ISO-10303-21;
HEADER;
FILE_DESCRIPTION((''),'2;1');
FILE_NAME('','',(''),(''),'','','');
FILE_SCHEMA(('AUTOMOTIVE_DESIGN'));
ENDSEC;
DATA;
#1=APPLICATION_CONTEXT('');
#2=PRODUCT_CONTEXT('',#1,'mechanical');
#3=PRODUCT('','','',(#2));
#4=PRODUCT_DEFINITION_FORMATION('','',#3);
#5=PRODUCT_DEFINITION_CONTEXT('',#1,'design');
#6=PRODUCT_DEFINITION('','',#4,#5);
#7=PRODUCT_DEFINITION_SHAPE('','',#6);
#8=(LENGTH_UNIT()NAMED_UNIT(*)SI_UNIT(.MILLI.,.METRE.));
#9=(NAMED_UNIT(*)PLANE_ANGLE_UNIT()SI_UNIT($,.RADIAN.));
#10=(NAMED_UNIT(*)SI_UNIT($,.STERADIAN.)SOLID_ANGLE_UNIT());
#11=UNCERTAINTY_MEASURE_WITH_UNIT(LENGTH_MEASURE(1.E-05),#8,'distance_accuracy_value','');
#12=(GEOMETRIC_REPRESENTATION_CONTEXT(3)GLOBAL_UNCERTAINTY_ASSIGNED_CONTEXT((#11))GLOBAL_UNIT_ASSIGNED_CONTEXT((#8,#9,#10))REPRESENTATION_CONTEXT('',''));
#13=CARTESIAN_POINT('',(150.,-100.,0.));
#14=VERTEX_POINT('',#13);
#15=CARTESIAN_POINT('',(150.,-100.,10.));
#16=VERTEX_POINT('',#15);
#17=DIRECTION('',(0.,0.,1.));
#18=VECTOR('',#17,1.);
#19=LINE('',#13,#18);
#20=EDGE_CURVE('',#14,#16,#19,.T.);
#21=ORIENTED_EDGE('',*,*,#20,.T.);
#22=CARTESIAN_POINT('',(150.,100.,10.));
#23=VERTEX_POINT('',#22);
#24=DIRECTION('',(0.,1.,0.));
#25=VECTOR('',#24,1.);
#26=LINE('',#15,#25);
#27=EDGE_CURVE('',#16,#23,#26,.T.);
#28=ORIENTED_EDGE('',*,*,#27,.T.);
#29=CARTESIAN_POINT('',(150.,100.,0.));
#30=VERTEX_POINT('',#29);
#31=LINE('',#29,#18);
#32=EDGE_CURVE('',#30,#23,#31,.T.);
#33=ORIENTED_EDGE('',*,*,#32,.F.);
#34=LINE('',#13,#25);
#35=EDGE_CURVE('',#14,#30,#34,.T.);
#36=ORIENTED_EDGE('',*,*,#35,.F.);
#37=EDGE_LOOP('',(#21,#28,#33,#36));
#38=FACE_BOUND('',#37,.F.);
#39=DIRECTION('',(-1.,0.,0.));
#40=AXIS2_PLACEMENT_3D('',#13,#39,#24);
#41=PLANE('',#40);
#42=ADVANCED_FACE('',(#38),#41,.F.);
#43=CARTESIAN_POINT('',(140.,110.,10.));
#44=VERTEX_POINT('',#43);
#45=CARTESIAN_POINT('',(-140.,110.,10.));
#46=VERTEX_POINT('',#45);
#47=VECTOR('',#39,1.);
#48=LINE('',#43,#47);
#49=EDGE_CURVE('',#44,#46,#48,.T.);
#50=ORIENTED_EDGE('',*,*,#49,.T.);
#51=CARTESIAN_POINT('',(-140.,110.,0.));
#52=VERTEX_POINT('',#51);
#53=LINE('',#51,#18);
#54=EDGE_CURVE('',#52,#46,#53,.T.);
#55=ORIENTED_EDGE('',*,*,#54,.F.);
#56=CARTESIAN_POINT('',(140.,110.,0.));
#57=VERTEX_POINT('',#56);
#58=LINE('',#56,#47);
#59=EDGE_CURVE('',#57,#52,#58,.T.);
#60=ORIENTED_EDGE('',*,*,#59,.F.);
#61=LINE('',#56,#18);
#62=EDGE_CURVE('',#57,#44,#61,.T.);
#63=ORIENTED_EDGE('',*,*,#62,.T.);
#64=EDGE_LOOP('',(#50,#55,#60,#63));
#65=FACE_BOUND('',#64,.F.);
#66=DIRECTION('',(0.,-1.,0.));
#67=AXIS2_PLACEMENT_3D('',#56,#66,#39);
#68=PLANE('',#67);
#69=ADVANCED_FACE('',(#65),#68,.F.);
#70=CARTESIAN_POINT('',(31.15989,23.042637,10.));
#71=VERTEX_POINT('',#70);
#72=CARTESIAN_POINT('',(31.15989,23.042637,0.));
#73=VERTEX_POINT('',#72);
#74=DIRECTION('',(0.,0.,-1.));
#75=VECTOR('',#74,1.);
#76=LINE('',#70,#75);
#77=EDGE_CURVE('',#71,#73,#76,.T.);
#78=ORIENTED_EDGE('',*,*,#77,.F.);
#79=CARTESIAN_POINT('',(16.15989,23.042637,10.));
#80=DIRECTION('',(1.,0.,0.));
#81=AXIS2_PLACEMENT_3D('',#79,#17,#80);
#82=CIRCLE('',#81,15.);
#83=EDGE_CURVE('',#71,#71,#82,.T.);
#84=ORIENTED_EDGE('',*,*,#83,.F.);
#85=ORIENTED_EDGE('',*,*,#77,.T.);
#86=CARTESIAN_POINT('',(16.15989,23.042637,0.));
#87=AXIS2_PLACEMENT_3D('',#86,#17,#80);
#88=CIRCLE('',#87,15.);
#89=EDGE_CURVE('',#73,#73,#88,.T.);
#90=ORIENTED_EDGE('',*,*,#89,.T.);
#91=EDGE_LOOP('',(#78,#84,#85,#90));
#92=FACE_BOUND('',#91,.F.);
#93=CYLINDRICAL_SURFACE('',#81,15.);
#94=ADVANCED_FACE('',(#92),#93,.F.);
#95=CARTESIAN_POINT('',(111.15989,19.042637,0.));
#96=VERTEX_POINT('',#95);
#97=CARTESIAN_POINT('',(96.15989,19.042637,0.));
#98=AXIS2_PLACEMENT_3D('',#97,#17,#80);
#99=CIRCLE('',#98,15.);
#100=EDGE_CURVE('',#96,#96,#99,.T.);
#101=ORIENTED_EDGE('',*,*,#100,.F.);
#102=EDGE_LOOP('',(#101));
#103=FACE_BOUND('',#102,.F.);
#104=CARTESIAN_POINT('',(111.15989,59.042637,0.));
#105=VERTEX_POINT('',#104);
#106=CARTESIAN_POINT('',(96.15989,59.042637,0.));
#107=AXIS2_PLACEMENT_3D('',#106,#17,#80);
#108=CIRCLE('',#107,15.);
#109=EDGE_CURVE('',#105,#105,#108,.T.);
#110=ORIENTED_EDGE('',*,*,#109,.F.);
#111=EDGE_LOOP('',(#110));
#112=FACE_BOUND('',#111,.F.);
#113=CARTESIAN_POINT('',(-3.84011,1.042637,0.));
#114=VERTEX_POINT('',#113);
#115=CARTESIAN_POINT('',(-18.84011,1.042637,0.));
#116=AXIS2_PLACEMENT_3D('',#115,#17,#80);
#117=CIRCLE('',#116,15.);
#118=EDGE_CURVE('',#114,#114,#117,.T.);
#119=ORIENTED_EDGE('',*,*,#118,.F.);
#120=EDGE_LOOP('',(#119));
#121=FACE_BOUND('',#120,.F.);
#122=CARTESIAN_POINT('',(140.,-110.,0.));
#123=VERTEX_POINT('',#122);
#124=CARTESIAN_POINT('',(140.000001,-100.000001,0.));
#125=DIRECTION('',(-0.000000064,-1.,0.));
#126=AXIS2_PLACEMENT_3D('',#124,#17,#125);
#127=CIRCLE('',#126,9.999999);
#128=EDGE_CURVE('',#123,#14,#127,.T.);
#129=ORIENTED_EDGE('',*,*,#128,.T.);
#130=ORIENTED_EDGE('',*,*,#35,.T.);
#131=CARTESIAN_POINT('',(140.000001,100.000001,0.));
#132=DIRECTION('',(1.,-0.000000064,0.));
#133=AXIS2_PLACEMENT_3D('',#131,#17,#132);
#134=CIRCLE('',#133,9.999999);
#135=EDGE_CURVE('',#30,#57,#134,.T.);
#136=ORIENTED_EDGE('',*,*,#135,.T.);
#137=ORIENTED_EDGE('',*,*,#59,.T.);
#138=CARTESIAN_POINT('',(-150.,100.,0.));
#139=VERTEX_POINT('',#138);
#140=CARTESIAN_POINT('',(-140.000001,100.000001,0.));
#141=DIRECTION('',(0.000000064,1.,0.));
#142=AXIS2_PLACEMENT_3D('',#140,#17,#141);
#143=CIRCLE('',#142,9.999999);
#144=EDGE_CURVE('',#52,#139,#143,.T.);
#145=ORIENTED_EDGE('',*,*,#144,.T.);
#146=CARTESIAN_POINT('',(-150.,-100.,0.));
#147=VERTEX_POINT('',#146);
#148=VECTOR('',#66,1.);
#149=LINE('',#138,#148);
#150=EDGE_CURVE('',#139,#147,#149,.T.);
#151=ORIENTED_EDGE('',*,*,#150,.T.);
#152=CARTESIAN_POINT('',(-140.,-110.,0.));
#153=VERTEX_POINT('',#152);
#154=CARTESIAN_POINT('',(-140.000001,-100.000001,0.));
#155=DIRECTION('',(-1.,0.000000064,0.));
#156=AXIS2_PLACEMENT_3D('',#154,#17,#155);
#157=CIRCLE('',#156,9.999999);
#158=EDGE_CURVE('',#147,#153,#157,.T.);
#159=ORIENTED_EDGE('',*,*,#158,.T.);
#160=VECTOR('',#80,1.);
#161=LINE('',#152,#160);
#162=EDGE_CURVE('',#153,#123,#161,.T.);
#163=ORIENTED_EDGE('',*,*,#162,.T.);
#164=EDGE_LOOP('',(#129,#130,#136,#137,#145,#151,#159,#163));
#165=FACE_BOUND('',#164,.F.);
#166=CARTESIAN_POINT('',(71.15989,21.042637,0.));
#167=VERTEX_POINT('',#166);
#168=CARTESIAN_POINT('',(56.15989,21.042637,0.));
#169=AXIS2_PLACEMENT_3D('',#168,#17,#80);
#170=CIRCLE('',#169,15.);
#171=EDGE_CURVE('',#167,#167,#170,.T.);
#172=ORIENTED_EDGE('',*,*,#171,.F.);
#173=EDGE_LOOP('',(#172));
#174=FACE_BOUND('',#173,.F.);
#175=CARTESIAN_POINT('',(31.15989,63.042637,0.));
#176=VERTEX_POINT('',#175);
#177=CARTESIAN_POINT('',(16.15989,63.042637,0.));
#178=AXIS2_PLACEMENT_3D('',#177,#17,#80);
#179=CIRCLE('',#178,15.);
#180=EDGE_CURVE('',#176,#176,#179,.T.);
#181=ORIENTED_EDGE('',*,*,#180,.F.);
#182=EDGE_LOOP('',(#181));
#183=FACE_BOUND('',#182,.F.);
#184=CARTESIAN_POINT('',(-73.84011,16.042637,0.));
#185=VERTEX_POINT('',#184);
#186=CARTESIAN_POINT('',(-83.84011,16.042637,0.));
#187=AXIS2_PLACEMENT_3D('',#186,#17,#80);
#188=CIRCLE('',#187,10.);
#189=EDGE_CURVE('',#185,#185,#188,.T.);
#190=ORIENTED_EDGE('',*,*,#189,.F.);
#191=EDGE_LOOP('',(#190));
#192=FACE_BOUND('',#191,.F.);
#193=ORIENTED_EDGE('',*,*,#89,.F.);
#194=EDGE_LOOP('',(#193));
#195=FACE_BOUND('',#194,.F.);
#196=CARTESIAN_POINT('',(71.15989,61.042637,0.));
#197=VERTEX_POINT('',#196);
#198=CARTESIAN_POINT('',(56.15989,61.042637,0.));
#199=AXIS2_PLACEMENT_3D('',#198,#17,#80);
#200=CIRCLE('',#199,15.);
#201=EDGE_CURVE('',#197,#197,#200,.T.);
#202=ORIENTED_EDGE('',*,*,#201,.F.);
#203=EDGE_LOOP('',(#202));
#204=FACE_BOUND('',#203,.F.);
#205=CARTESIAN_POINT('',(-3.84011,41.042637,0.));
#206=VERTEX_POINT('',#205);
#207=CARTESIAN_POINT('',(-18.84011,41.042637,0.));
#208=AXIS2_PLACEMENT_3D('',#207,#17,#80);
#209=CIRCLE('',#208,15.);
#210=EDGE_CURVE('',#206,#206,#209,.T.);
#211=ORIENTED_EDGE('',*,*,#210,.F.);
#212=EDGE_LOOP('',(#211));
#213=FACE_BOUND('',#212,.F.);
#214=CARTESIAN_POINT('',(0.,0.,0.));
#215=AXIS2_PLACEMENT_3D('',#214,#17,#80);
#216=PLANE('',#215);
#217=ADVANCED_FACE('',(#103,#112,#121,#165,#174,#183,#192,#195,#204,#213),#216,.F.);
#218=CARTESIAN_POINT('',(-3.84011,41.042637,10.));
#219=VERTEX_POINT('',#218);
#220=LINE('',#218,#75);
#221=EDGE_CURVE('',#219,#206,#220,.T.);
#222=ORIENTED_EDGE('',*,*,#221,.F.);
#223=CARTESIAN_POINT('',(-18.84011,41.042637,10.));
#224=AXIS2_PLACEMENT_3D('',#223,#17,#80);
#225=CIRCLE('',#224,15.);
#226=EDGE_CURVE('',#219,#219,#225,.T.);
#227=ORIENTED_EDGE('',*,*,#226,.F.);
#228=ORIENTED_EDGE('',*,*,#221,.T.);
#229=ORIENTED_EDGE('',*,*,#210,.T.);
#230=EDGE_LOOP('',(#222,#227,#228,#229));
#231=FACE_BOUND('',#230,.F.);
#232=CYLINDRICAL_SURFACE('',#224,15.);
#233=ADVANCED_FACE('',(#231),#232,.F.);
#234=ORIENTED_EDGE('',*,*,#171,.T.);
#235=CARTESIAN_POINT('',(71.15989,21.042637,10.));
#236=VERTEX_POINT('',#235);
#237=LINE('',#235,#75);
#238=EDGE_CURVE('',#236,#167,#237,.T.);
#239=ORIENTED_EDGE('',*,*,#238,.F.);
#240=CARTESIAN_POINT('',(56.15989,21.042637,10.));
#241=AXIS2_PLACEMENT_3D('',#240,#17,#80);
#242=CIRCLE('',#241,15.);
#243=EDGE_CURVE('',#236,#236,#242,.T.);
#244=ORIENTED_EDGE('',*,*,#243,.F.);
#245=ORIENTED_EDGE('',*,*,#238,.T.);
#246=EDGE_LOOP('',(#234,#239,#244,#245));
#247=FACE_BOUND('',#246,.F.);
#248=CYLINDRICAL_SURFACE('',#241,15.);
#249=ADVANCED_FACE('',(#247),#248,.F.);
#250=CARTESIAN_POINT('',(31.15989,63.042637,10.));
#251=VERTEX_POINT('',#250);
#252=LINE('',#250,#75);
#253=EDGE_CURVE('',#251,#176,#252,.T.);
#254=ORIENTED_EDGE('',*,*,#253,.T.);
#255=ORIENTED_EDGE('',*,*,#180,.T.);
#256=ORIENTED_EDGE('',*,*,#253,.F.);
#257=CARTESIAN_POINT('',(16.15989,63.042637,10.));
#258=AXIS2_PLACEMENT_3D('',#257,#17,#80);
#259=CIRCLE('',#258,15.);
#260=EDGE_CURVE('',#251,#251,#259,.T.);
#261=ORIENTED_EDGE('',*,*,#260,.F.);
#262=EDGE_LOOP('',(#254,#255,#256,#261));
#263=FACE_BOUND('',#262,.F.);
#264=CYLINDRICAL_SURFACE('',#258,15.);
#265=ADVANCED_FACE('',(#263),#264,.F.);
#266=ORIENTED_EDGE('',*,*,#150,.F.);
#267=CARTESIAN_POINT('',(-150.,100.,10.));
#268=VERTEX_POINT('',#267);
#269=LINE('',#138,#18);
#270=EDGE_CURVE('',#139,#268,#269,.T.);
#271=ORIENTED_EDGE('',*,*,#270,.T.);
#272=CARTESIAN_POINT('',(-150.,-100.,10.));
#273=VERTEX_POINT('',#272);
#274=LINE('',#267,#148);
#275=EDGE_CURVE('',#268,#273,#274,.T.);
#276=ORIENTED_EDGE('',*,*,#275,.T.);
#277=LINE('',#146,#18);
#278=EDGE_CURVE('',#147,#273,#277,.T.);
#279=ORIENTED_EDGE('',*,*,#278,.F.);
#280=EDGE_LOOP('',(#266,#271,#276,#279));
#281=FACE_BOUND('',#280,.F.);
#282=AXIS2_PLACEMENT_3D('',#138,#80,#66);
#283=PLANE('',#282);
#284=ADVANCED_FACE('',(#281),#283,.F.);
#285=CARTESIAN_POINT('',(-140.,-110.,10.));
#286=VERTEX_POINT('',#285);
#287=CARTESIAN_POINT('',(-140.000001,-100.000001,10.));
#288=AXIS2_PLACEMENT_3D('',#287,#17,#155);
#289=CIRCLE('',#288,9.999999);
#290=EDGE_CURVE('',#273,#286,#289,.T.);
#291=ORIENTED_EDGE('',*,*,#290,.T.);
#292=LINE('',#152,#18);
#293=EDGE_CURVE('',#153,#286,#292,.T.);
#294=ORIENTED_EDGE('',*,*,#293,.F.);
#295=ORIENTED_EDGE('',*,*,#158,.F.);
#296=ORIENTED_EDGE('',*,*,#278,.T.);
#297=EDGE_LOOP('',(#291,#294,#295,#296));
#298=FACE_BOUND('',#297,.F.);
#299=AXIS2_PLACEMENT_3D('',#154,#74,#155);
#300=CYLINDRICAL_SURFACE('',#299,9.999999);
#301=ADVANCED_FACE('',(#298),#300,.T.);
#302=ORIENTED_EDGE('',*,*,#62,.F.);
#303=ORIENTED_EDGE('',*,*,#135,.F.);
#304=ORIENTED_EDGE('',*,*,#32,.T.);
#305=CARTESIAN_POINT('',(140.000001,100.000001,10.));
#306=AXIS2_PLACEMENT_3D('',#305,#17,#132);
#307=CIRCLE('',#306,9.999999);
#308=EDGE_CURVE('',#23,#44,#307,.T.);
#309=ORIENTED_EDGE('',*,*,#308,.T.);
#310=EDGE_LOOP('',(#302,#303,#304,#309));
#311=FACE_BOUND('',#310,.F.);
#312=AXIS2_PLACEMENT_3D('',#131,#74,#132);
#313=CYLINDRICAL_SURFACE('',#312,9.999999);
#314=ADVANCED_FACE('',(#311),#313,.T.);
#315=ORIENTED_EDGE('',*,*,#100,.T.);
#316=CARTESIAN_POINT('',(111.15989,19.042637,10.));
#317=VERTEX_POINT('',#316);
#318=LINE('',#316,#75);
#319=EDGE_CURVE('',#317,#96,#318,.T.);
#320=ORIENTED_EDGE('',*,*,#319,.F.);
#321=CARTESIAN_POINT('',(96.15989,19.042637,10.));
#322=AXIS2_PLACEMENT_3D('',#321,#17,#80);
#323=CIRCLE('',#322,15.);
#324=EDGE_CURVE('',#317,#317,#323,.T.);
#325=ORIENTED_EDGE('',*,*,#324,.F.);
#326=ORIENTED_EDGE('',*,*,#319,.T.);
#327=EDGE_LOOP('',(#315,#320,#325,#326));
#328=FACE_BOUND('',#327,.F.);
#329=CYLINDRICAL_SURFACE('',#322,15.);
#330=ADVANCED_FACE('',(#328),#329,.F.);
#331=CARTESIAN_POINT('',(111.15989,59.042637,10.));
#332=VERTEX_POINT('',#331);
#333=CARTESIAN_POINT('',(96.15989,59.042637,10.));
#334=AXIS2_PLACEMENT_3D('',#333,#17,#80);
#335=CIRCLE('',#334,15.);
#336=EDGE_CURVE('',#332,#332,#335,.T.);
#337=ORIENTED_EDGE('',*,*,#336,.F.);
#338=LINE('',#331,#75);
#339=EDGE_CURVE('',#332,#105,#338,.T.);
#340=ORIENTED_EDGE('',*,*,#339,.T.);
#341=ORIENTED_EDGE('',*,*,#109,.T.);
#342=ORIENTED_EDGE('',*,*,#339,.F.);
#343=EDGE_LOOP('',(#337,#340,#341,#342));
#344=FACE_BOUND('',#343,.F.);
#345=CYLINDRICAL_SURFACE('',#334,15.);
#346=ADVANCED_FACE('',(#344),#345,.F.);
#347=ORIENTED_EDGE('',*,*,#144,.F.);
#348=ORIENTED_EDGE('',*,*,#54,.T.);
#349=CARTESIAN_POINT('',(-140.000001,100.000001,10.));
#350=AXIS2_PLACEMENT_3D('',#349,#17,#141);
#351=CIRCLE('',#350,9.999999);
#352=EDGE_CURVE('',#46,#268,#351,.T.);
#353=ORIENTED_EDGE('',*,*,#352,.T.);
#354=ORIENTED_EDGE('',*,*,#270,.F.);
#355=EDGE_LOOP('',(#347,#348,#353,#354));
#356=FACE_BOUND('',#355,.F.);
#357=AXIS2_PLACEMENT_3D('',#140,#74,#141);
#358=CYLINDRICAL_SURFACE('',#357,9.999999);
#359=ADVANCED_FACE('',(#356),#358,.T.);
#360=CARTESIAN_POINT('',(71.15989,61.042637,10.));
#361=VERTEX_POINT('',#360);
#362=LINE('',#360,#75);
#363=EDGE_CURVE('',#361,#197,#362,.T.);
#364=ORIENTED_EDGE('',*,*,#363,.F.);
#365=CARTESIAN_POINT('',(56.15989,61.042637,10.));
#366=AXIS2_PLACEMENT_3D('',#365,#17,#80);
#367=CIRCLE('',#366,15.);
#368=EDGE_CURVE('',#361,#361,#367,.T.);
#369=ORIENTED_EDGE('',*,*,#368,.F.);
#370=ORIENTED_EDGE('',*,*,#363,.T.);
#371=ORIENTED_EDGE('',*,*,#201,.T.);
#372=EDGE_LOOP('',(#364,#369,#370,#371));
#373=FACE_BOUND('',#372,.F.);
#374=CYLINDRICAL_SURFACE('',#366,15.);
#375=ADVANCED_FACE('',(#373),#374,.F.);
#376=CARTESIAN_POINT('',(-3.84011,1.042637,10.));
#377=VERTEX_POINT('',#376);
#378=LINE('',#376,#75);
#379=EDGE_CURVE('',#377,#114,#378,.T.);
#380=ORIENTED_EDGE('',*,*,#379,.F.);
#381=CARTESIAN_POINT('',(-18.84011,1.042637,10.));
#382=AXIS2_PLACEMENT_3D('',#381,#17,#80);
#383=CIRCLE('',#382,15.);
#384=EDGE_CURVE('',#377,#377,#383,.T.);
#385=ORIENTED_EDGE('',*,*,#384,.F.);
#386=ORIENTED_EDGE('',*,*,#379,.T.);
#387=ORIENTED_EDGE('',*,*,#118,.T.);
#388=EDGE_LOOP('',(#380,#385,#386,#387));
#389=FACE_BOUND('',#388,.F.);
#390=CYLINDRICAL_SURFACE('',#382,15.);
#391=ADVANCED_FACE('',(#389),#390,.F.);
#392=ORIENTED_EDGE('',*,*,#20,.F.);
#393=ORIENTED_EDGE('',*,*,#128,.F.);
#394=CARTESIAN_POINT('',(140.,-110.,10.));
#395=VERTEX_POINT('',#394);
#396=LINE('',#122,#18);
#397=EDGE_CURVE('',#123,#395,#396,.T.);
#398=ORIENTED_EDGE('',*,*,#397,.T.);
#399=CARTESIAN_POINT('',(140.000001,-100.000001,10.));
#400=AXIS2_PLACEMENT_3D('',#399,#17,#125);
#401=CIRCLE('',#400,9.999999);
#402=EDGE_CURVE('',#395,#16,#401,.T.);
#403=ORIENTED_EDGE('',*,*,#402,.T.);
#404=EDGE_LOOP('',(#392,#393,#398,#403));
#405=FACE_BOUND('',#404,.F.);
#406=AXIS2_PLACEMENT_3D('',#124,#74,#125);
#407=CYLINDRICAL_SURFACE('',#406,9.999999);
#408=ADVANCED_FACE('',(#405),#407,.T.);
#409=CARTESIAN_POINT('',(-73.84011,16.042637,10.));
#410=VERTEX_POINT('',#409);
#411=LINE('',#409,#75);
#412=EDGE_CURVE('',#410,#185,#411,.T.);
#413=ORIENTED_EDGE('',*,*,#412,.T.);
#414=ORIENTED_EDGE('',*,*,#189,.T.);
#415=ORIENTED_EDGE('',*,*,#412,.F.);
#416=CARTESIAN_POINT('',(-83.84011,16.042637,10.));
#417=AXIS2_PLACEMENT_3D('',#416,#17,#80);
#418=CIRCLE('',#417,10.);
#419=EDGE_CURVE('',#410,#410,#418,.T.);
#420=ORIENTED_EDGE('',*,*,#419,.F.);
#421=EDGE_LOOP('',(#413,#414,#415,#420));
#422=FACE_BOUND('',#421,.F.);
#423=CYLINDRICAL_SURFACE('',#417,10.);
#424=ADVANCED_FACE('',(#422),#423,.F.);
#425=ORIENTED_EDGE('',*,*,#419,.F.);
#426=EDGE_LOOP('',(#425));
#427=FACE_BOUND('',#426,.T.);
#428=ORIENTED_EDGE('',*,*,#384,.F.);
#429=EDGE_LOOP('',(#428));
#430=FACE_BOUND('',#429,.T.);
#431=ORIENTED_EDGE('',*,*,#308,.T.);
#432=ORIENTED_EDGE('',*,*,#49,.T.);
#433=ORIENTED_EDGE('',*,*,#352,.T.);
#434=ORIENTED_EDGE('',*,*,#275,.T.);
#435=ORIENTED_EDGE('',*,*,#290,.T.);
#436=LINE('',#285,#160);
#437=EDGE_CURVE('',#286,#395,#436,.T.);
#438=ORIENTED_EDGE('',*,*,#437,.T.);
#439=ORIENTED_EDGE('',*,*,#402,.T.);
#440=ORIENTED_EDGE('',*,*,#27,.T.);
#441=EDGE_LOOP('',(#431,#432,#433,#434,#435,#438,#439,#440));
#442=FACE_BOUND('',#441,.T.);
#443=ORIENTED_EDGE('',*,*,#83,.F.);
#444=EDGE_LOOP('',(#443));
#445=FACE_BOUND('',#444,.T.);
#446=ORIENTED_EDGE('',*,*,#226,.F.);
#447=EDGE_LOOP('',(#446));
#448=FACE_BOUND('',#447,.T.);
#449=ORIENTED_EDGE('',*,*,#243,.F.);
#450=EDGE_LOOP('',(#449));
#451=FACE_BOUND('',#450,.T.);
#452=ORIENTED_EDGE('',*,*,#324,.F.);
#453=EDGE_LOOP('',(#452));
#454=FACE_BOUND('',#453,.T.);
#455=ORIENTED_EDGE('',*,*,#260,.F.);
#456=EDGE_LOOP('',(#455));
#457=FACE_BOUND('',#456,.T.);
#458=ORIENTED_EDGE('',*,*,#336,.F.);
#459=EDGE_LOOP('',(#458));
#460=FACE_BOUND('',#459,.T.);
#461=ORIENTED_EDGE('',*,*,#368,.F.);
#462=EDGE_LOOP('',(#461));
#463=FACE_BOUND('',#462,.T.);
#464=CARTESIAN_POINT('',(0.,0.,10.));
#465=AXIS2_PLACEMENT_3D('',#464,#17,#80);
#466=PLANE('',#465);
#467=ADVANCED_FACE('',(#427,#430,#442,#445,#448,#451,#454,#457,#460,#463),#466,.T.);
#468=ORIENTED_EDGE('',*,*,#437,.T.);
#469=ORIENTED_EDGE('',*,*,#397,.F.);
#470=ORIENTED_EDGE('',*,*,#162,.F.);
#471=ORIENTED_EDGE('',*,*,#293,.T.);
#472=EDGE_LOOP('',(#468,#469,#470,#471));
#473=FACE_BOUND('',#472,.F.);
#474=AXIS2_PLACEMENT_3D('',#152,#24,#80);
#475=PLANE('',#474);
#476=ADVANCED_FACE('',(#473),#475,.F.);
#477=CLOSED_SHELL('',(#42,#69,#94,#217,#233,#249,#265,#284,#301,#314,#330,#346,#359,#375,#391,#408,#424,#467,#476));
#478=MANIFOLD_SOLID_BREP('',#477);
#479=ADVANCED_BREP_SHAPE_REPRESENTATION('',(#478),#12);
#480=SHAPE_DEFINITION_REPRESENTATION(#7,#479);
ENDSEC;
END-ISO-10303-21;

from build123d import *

# Parameters (mm, degrees)
F1_DEPTH = 10
F2_R     = 10
F2_R_2   = 15
F3_DEPTH = 10


with BuildPart() as f1:
    # F0 (on Top) → F1 (new body)
    with BuildSketch(Plane.XY):
        with BuildLine():
            Line((140, 110), (-140, 110))
            ThreePointArc((-140, 110), (-147.071068, 107.071068), (-150, 100))
            Line((-150, 100), (-150, -100))
            ThreePointArc((-150, -100), (-147.071068, -107.071068), (-140, -110))
            Line((-140, -110), (140, -110))
            ThreePointArc((140, -110), (147.071068, -107.071068), (150, -100))
            Line((150, -100), (150, 100))
            ThreePointArc((150, 100), (147.071068, 107.071068), (140, 110))
        make_face()
    extrude(amount=F1_DEPTH)

    # F2 (on face) → F3 (cut)
    with BuildSketch(Plane.XY.offset(10)):
        with Locations((-83.84011, 16.042637)):
            Circle(F2_R)
        with Locations((-18.84011, 41.042637)):
            Circle(F2_R_2)
        with Locations((16.15989, 63.042637)):
            Circle(F2_R_2)
        with Locations((56.15989, 61.042637)):
            Circle(F2_R_2)
        with Locations((96.15989, 59.042637)):
            Circle(F2_R_2)
        with Locations((96.15989, 19.042637)):
            Circle(F2_R_2)
        with Locations((56.15989, 21.042637)):
            Circle(F2_R_2)
        with Locations((16.15989, 23.042637)):
            Circle(F2_R_2)
        with Locations((-18.84011, 1.042637)):
            Circle(F2_R_2)
    extrude(amount=-F3_DEPTH, mode=Mode.SUBTRACT)


solid = f1.part
